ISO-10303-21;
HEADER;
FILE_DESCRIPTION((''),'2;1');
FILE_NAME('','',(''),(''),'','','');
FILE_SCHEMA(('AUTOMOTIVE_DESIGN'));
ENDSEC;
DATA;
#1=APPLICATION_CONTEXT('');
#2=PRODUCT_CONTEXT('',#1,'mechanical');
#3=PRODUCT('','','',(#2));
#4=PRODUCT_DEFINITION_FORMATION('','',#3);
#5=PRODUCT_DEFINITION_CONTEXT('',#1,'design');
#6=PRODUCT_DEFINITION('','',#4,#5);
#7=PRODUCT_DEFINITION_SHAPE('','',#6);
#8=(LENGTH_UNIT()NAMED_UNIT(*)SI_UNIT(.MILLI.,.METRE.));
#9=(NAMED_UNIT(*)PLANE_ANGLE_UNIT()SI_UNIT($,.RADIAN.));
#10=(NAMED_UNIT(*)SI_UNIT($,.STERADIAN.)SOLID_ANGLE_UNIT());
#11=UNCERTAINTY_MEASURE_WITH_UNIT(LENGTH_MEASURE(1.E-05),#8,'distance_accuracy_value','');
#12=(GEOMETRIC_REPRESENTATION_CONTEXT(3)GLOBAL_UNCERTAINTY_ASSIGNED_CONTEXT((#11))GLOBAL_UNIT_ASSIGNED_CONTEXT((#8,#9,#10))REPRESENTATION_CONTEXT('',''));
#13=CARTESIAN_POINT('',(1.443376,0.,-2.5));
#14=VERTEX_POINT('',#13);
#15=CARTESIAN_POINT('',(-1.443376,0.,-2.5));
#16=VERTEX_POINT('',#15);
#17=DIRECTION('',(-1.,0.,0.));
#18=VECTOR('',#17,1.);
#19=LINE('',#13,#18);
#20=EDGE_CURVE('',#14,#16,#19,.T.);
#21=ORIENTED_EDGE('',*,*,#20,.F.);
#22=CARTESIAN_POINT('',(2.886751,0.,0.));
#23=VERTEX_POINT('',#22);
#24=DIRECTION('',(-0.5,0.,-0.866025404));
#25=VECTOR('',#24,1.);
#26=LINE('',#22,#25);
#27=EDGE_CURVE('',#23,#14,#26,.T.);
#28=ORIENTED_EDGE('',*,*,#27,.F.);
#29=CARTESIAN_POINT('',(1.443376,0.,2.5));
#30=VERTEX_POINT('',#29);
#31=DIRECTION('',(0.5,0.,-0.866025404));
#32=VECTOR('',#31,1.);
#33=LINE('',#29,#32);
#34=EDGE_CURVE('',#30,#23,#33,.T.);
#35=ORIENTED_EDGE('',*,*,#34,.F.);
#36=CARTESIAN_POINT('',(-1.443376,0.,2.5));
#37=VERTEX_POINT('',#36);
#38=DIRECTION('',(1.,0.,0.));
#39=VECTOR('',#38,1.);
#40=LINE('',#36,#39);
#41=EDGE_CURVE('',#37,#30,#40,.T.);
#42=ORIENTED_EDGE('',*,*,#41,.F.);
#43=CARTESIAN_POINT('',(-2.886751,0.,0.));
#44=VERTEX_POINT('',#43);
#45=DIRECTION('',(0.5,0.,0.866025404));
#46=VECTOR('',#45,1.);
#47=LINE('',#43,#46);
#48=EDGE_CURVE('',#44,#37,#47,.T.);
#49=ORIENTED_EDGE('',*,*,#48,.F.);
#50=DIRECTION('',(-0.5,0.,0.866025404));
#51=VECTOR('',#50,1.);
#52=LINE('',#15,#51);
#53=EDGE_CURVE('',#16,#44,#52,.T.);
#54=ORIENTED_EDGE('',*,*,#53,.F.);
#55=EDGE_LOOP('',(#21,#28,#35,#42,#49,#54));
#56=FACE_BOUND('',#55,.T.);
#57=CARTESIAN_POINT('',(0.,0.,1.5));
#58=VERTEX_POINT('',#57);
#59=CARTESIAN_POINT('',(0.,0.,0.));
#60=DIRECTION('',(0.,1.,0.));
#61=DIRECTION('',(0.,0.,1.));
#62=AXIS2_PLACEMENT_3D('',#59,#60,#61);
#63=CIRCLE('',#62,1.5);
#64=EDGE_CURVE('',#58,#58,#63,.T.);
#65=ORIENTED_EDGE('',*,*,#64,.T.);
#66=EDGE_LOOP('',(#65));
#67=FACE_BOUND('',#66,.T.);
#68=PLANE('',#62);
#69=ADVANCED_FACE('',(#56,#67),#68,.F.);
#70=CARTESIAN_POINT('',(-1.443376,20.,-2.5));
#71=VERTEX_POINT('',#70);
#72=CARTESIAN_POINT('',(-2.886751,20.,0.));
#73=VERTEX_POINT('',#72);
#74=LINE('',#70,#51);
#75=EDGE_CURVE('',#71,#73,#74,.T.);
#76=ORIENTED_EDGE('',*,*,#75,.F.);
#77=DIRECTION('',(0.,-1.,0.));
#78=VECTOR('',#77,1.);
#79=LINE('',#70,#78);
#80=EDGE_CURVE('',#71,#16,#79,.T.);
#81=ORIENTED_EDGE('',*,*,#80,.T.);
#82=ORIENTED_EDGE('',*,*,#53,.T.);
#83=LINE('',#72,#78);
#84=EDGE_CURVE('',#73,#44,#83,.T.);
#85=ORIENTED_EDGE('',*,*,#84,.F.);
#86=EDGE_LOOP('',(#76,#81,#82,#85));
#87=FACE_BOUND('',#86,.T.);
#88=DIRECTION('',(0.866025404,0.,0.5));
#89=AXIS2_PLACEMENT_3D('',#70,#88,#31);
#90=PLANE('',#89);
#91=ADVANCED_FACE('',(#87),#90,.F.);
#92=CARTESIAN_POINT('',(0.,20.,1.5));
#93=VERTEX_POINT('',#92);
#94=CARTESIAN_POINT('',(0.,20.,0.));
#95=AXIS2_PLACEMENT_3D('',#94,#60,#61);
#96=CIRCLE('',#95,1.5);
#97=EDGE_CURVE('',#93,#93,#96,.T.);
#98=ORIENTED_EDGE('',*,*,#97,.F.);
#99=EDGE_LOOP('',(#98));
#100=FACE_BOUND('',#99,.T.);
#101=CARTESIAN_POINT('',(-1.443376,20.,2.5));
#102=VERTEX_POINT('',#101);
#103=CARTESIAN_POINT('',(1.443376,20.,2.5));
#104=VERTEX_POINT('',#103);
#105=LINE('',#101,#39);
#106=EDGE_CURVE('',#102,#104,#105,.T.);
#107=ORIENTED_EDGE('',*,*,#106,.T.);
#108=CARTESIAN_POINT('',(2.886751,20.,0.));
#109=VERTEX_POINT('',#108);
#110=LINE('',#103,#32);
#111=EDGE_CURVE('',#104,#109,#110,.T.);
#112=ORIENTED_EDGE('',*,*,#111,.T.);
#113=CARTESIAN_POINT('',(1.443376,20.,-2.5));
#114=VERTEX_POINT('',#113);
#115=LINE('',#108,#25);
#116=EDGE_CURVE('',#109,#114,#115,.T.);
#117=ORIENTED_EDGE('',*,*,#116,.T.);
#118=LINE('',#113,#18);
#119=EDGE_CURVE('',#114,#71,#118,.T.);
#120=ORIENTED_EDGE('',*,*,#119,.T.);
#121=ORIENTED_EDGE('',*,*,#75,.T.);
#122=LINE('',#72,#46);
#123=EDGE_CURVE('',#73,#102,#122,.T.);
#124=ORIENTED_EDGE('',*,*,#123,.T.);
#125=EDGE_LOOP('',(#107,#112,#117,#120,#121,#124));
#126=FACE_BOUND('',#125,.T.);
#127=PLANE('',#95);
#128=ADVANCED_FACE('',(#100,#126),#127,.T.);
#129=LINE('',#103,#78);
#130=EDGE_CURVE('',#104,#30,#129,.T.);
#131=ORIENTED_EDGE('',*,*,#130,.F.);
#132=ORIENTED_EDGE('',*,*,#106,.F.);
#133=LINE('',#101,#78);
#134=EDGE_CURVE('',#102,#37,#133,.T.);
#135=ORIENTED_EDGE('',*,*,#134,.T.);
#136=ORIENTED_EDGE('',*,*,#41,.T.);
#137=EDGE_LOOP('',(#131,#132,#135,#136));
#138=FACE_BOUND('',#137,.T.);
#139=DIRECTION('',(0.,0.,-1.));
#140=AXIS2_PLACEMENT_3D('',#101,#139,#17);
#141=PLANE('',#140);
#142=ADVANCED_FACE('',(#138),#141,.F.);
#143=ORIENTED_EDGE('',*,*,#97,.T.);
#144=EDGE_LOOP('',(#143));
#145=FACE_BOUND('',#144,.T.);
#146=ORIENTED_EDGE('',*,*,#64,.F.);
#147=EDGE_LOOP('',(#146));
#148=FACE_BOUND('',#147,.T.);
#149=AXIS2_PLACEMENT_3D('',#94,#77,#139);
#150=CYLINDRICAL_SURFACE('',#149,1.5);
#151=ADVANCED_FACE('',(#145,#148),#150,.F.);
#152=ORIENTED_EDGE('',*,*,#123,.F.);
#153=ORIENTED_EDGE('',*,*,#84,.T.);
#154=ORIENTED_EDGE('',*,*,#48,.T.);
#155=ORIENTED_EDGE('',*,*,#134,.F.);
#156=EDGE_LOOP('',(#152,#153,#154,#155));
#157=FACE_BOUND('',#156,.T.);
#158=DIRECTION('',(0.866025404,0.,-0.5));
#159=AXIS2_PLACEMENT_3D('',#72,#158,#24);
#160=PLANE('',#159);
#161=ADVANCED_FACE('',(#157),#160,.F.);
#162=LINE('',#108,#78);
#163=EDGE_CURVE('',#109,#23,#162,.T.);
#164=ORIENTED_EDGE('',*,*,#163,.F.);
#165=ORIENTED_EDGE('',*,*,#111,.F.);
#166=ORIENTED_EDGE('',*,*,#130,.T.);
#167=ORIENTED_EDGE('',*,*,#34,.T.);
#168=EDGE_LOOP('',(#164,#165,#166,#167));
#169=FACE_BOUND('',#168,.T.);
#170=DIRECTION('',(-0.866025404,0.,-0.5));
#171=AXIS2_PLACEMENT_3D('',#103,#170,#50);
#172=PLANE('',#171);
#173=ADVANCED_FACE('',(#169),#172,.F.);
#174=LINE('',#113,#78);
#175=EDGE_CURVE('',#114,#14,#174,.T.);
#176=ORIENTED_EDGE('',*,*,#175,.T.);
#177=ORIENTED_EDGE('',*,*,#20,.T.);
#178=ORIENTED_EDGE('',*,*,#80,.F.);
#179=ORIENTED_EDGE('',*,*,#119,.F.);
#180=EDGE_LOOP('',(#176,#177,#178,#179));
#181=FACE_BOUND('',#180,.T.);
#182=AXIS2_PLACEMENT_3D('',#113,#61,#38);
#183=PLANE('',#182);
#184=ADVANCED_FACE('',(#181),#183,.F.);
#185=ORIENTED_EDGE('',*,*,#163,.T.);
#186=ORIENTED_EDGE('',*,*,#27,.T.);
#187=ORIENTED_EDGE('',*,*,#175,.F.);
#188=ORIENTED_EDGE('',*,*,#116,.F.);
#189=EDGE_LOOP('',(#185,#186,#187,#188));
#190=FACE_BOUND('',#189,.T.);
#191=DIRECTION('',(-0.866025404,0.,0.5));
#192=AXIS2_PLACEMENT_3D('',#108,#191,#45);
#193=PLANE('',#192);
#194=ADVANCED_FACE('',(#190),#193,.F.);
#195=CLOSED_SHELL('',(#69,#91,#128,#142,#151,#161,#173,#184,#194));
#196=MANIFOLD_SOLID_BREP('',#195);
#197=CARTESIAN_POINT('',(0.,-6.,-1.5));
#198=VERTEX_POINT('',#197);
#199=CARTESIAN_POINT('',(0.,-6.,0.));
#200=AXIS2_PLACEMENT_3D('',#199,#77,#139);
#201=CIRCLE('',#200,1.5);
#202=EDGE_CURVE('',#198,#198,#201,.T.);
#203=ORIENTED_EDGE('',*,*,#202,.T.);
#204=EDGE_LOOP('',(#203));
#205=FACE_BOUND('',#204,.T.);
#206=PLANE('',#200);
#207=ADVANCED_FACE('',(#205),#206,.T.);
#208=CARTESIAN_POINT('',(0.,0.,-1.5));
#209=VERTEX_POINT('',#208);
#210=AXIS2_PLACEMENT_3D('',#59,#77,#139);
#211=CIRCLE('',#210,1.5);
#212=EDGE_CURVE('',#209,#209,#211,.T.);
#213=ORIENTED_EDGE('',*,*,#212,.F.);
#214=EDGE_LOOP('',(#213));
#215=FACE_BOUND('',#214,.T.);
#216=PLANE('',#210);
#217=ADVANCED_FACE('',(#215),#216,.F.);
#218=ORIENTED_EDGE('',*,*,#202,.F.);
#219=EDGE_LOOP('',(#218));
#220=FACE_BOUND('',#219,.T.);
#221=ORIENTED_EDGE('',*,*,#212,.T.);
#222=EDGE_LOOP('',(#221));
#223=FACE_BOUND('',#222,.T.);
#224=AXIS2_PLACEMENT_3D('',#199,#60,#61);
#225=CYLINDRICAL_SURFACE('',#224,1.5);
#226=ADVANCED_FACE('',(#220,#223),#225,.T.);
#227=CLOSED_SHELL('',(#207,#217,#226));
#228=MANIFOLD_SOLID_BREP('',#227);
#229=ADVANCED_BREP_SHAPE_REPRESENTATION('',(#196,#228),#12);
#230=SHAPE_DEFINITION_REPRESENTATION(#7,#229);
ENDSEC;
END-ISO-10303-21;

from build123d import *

# Parameters (mm, degrees)
CROQUIS1_R              = 1.5
SALIENTE_EXTRUIR1_DEPTH = 20
CROQUIS2_R              = 1.5
SALIENTE_EXTRUIR2_DEPTH = 6


with BuildPart() as part:
    # Croquis1 → Saliente-Extruir1 (new body)
    with BuildSketch(Plane(origin=(0, 0, 0), x_dir=(1, 0, 0), z_dir=(0, 1, 0))):
        Polygon((1.443375673, -2.5), (2.886751346, 0), (1.443375673, 2.5), (-1.443375673, 2.5), (-2.886751346, 0), (-1.443375673, -2.5), align=None)
        with Locations(Location((0, 0, 0), (0, 0, 270))):
            Circle(CROQUIS1_R, mode=Mode.SUBTRACT)
    extrude(amount=SALIENTE_EXTRUIR1_DEPTH)


with BuildPart() as body_2:
    # Croquis2 → Saliente-Extruir2 (new body)
    with BuildSketch(Plane.XZ):
        with Locations(Location((0, 0, 0), (0, 0, 270))):
            Circle(CROQUIS2_R)
    extrude(amount=SALIENTE_EXTRUIR2_DEPTH)


solid = Compound([part.part, body_2.part])
